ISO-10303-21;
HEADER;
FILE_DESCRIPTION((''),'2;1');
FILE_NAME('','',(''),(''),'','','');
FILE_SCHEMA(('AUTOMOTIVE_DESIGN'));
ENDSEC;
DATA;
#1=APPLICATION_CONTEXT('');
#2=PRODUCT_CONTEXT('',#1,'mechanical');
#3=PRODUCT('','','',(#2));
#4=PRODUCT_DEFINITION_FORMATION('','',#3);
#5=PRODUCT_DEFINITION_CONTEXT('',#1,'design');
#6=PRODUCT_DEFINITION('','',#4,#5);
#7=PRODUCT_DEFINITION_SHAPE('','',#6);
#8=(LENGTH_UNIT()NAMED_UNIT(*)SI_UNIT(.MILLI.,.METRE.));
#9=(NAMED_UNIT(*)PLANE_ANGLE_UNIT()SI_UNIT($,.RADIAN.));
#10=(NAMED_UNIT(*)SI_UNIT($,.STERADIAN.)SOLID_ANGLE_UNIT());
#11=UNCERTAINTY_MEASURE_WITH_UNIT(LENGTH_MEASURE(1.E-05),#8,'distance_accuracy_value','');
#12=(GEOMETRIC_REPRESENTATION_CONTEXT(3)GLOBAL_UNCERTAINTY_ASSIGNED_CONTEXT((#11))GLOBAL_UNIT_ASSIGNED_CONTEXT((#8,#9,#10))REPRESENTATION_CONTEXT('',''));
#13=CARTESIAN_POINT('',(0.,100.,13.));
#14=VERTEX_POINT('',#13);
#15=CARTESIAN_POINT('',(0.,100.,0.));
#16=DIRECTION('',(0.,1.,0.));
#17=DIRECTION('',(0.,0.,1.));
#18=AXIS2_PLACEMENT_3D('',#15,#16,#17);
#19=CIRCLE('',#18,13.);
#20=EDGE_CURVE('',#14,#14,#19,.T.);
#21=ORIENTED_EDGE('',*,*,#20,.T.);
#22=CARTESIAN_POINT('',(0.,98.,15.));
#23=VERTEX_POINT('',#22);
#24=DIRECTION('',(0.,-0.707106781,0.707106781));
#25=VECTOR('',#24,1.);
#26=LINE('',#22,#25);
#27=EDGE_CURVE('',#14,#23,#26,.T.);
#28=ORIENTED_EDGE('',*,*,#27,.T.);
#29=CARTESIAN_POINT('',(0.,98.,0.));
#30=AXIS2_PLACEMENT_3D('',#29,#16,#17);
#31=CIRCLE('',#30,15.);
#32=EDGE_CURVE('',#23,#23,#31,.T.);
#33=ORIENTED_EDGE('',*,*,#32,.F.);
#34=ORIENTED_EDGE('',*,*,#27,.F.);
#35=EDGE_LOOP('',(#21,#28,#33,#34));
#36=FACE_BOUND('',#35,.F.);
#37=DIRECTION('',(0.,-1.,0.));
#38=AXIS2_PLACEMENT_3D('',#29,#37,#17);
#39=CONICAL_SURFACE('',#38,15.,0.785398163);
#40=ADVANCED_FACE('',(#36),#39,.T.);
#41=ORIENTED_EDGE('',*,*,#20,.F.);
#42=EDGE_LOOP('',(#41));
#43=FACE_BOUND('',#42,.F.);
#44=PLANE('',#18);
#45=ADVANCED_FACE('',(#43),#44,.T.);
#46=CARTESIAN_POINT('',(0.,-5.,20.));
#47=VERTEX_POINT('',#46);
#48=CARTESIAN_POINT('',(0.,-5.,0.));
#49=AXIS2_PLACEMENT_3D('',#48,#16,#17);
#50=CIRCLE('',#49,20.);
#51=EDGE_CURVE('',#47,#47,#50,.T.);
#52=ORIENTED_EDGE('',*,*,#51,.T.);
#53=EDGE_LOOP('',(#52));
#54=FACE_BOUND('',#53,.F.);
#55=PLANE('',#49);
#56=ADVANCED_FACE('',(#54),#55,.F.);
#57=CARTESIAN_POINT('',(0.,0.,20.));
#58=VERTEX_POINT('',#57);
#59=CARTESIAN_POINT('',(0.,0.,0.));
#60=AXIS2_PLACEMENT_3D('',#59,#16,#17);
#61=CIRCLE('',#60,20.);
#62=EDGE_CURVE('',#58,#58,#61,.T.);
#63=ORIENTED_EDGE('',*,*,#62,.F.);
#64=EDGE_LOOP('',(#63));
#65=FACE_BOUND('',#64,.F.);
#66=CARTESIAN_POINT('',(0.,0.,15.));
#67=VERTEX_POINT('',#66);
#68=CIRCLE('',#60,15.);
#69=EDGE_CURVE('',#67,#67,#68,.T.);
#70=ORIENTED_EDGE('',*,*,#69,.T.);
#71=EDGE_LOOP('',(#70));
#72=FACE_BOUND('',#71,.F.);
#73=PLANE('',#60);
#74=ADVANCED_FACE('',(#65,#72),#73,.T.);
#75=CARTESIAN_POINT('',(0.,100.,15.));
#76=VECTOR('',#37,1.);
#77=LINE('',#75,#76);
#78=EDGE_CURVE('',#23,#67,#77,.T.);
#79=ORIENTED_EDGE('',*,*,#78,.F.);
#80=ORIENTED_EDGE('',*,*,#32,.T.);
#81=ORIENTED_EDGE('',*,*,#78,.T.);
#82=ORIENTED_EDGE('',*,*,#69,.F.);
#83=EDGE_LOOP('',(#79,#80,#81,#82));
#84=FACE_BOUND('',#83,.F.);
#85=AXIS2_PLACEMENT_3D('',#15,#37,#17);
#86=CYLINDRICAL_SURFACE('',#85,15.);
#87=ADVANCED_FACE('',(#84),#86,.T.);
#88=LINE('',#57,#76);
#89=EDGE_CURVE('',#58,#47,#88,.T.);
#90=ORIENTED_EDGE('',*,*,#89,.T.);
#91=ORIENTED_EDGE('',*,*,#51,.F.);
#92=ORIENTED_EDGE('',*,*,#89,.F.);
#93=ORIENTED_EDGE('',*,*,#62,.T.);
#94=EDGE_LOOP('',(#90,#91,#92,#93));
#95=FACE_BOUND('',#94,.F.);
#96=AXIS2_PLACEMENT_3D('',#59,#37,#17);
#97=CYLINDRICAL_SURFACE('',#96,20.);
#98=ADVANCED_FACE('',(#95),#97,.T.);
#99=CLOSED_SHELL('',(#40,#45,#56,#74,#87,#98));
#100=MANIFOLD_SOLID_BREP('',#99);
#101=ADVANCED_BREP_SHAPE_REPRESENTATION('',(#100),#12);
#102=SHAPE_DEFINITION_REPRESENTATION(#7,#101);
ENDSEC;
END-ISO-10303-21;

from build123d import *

# Parameters (mm, degrees)
F2_SIZE = 2


with BuildPart() as f1:
    # F0 (on Right) → F1 (revolve)
    with BuildSketch(Plane.YZ):
        Polygon((-5, 20), (-5, 0), (100, 0), (100, 15), (0, 15), (0, 20), align=None)
    revolve(axis=Axis((0, 28.515892, 0), (0, 1, 0)))

    # F2
    f2_edges = [f1.edges().sort_by_distance(p)[0] for p in [
        (0, 100, -15),
    ]]
    chamfer(f2_edges, length=F2_SIZE)


solid = f1.part
